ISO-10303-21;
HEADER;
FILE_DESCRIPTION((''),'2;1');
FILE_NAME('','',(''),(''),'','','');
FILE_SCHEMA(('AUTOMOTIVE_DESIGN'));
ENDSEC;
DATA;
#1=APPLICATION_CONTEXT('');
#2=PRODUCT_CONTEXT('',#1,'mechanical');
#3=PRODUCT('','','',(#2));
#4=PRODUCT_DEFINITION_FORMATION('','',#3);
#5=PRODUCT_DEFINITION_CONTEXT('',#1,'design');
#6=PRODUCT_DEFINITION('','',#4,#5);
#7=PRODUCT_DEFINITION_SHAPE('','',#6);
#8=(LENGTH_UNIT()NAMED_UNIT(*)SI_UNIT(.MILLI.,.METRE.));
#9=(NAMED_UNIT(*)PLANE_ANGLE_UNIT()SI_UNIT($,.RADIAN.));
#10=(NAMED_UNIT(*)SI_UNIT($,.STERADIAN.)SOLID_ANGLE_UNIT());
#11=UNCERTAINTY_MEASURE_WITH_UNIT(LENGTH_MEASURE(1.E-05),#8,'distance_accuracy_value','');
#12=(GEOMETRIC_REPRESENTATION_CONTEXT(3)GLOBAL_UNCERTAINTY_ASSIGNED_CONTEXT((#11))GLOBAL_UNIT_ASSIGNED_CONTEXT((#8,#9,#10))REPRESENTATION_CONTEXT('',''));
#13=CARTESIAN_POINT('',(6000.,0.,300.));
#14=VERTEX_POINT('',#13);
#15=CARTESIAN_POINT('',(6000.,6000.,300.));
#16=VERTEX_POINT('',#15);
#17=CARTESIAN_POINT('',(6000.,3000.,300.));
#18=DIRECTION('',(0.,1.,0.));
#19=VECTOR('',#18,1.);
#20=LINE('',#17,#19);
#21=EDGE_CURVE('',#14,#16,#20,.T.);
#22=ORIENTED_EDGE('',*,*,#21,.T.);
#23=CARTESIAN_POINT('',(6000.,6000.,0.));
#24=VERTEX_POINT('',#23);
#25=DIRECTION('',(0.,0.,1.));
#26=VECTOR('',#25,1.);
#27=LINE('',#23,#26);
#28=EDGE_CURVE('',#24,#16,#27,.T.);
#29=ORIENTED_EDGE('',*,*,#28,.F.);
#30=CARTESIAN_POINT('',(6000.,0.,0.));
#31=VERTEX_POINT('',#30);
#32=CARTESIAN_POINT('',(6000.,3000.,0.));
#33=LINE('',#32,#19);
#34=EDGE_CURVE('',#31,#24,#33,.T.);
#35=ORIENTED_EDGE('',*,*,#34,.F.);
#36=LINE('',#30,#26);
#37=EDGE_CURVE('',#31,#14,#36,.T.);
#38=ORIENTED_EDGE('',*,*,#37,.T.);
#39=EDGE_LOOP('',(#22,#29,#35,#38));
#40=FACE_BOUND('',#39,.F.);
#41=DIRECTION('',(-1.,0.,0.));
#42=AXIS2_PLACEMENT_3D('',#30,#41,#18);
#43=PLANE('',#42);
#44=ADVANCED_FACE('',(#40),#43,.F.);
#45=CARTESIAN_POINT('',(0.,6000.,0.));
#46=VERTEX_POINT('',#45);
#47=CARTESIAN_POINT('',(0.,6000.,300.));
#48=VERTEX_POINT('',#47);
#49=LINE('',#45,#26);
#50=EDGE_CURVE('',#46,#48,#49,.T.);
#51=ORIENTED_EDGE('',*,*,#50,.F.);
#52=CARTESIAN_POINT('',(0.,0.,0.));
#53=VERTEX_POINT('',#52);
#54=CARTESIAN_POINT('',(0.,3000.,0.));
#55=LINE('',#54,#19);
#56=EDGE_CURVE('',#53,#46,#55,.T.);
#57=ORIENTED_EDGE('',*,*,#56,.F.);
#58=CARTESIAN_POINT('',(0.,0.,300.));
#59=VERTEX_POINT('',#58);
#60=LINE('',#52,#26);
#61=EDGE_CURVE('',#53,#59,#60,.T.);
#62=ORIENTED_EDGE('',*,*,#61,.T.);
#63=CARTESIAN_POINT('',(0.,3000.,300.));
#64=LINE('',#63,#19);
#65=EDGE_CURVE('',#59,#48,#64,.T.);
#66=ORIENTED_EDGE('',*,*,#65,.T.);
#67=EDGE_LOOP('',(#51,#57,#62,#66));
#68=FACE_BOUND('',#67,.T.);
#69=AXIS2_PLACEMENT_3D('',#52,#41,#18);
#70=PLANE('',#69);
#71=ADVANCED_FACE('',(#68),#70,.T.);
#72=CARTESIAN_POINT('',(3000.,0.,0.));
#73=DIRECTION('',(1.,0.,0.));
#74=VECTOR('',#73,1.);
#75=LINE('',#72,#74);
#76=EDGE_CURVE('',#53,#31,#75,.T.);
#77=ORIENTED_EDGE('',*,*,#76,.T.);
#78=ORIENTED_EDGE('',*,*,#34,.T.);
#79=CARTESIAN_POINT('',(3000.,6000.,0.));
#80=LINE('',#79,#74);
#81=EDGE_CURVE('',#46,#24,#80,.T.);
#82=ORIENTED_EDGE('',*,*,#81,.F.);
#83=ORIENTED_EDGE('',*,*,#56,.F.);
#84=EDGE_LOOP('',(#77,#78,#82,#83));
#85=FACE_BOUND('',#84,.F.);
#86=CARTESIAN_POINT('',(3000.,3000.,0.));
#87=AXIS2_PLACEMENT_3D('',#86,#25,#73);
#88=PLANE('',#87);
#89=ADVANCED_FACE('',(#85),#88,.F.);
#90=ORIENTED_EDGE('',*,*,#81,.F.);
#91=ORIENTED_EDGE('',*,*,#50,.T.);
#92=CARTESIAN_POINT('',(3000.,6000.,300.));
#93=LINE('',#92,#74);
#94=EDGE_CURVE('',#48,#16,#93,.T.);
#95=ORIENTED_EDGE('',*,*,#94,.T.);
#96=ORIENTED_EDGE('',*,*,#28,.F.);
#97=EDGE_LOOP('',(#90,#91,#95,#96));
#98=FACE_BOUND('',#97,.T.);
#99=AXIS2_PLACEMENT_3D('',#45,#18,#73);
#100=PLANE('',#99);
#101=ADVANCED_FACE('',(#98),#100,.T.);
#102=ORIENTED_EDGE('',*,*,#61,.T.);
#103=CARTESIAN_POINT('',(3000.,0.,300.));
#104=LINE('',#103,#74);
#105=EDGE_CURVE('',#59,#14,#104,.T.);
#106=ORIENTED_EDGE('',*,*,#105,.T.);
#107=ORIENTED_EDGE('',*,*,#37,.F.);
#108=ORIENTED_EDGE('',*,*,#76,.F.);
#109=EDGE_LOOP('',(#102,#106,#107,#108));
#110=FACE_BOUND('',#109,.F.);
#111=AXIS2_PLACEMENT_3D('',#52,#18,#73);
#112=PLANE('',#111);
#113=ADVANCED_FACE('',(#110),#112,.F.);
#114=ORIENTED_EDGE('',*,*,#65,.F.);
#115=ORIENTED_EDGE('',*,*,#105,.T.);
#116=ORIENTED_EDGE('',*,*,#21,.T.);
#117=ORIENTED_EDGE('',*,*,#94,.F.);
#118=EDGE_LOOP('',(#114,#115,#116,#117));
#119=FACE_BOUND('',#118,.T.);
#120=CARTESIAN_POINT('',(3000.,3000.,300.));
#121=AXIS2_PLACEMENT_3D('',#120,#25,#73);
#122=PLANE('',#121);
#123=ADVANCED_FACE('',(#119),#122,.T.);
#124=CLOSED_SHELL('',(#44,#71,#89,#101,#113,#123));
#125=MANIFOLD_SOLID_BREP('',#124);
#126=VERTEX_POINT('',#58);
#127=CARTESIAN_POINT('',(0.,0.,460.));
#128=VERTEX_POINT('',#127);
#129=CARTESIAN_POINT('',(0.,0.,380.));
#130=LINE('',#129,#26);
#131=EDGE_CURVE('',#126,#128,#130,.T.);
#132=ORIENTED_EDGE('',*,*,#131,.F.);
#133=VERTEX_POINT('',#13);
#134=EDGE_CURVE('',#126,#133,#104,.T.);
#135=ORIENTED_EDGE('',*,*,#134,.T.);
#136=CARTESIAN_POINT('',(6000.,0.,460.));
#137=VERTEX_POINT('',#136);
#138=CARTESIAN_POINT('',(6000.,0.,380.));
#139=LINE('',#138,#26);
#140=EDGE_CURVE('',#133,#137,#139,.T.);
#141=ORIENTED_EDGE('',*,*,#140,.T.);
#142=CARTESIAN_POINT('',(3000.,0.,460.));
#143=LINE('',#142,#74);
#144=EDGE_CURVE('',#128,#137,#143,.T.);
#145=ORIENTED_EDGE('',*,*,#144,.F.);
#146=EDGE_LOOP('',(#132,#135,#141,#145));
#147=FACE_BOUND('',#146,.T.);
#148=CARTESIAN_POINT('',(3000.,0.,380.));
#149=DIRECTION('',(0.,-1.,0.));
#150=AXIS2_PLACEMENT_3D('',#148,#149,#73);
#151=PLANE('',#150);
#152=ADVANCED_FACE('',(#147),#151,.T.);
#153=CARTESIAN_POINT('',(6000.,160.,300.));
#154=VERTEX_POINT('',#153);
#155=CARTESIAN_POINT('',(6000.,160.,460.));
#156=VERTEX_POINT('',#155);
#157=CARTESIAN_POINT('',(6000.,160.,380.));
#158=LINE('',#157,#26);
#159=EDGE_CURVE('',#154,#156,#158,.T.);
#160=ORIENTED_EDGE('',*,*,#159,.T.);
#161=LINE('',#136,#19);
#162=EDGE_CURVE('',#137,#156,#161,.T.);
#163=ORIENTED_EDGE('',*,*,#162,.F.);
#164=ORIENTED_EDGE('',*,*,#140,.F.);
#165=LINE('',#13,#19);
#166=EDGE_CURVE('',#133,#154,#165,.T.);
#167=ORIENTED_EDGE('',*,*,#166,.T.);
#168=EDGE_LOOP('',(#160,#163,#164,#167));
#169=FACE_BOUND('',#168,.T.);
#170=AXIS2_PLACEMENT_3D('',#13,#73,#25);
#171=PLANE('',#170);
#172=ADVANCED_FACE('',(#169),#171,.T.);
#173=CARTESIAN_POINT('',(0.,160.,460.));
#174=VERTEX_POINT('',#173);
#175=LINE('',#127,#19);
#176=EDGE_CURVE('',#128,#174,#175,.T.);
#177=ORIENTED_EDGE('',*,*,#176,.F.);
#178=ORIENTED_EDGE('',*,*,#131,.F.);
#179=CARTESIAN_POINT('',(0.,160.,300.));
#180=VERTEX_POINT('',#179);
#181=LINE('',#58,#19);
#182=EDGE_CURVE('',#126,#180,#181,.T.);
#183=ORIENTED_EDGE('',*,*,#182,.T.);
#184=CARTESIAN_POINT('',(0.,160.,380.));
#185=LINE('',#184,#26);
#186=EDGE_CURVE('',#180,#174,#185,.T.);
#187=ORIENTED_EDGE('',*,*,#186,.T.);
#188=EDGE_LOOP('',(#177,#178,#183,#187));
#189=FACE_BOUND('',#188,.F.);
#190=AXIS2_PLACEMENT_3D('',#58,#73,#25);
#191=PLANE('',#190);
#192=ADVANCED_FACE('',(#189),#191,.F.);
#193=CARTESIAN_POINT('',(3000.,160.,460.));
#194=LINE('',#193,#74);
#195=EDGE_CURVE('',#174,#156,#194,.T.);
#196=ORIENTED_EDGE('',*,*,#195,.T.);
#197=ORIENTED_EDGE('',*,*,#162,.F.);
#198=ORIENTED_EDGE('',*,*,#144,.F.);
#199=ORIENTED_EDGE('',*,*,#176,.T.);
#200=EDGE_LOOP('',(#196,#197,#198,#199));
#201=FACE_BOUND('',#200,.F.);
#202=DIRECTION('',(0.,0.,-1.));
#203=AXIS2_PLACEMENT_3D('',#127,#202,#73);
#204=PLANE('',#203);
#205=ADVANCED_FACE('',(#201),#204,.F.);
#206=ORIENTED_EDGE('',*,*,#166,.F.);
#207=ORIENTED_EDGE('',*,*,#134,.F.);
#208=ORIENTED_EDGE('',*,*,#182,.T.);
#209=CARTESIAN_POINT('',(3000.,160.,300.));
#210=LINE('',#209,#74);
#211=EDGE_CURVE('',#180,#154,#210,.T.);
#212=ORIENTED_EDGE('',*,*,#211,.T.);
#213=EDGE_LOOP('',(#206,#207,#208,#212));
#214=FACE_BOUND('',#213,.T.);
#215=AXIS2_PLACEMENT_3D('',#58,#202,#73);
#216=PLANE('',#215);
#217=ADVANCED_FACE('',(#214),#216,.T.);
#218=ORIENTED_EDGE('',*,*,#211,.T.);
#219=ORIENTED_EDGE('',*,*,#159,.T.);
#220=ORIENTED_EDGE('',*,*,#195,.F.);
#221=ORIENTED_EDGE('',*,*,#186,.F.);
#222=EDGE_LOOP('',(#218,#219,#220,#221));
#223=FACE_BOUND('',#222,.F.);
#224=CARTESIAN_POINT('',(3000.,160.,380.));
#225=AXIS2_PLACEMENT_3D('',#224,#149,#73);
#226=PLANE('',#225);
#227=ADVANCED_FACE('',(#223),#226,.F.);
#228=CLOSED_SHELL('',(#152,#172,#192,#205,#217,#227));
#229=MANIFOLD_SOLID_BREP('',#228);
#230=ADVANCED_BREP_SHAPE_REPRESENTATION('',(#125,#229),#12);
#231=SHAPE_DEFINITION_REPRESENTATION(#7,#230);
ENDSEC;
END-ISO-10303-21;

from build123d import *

# Parameters (mm, degrees)
F0_W     = 6000
F0_H     = 6000
F1_DEPTH = 300
F2_W     = 6000
F2_H     = 160
F3_DEPTH = 160


with BuildPart() as f1:
    # F0 (on Top) → F1 (new body)
    with BuildSketch(Plane.XY):
        with Locations((3000, 3000)):
            Rectangle(F0_W, F0_H)
    extrude(amount=F1_DEPTH)


with BuildPart() as f3:
    # F2 (on face) → F3 (new body)
    with BuildSketch(Plane.XZ):
        with Locations((3000, 380)):
            Rectangle(F2_W, F2_H)
    extrude(amount=-F3_DEPTH)


solid = Compound([f1.part, f3.part])
